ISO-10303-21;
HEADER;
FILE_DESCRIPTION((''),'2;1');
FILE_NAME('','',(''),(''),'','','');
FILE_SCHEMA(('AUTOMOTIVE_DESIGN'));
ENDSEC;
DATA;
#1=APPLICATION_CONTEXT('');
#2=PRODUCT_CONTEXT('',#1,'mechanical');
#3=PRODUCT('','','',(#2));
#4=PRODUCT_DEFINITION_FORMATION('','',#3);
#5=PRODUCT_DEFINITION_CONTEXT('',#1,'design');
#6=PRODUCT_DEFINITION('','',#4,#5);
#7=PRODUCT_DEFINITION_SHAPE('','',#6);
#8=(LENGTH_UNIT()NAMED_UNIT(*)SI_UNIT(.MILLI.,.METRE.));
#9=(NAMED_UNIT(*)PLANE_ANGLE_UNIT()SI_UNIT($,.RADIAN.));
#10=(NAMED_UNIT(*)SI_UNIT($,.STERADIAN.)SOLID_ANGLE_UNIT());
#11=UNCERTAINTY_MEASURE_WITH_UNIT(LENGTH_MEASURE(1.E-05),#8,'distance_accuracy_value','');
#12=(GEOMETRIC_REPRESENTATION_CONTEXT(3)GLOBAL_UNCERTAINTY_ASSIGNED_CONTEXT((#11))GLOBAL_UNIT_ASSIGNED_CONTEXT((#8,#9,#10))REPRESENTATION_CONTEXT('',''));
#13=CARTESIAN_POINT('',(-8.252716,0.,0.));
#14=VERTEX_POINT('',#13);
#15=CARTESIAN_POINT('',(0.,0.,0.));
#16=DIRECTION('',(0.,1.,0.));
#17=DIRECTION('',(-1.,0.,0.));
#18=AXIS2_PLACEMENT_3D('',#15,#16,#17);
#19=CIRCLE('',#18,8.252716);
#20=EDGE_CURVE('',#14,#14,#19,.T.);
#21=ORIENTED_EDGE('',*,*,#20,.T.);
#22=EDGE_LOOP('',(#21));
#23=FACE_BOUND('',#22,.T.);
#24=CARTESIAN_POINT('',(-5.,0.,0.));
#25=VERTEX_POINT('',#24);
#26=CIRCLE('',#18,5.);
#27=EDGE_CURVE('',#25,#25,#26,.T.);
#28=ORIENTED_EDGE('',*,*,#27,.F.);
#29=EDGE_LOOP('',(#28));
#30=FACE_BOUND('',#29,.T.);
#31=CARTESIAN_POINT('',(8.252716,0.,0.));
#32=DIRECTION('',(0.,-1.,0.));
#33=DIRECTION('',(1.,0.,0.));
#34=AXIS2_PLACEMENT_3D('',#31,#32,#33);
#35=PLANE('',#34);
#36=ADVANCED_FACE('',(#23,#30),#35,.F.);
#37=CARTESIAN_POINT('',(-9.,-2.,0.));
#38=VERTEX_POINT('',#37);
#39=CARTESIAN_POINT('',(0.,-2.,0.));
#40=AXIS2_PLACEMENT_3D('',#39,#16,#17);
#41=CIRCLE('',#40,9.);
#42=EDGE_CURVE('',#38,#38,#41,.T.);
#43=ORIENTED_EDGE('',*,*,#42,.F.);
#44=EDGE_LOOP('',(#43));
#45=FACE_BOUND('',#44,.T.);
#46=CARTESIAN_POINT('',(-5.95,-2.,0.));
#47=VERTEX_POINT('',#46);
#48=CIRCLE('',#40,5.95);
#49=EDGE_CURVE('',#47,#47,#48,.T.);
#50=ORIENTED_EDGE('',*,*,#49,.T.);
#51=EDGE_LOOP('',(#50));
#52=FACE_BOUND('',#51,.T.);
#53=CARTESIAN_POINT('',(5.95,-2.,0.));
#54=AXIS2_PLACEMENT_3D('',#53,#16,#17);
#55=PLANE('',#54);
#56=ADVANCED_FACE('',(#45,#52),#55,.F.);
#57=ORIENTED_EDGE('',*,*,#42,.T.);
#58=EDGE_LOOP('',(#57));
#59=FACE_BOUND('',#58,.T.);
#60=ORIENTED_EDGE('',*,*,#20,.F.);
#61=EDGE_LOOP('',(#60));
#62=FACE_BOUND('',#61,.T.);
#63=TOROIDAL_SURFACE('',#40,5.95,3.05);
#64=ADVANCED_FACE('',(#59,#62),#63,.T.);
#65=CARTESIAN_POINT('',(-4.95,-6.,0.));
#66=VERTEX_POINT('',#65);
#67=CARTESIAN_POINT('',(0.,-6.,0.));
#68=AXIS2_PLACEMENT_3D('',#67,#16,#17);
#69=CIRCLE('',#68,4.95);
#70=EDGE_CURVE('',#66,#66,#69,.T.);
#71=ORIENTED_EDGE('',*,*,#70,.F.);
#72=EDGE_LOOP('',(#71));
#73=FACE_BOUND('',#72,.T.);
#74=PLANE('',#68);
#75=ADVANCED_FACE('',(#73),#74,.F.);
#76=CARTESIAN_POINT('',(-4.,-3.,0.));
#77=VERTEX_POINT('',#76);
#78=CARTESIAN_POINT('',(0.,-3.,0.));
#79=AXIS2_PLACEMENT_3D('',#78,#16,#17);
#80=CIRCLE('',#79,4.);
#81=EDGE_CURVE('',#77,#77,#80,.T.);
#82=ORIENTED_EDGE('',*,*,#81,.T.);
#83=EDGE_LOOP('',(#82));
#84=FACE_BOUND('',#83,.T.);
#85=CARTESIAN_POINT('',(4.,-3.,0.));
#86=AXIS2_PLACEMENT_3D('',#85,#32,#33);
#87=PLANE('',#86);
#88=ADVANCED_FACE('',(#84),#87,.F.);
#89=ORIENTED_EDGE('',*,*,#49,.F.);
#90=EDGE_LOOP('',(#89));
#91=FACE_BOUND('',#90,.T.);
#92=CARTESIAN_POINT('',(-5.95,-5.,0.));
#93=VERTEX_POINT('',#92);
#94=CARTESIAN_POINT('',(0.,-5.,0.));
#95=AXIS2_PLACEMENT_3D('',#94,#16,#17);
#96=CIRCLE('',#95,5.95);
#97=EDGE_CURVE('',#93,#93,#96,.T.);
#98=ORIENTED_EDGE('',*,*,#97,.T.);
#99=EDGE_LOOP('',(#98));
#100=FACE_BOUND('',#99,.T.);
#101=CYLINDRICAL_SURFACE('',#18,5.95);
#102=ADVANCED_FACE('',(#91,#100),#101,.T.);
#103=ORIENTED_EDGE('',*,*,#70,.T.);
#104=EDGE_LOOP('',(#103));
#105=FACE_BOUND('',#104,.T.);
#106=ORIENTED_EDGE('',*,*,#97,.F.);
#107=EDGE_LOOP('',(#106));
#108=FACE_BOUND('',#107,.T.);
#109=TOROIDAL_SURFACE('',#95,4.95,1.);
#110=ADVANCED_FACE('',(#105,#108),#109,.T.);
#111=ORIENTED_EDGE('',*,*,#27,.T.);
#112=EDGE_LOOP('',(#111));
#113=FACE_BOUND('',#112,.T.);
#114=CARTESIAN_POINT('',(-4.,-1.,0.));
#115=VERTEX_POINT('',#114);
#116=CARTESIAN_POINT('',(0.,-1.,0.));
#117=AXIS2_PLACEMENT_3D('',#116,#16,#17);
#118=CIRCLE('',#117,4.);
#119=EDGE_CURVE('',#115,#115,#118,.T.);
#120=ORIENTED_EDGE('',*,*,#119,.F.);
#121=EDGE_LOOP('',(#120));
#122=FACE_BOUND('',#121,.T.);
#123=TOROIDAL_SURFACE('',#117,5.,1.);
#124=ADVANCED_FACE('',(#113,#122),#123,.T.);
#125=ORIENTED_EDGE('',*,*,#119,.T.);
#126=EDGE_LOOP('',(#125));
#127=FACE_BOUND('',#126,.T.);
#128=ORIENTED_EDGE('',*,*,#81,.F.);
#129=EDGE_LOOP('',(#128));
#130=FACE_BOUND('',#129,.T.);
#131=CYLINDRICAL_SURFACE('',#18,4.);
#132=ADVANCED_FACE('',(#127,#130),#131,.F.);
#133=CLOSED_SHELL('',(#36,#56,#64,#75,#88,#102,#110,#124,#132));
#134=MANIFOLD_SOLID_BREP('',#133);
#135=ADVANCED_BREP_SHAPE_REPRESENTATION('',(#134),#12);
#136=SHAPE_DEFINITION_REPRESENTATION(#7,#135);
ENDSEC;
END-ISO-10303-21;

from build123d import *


with BuildPart() as part:
    # Sketch1 → Revolve1 (revolve)
    with BuildSketch(Plane.XY):
        with BuildLine():
            Line((0, -6), (4.95, -6))
            ThreePointArc((4.95, -6), (5.657106781, -5.707106781), (5.95, -5))
            Line((5.95, -5), (5.95, -2))
            Line((5.95, -2), (9, -2))
            ThreePointArc((9, -2), (8.807077454, -0.932475563), (8.252715788, 0))
            Line((8.252715788, 0), (5, 0))
            ThreePointArc((5, 0), (4.292893219, -0.292893219), (4, -1))
            Line((4, -1), (4, -3))
            Line((4, -3), (0, -3))
            Line((0, -3), (0, -6))
        make_face()
    revolve(axis=Axis((0, 0, 0), (0, -1, 0)))


solid = part.part
